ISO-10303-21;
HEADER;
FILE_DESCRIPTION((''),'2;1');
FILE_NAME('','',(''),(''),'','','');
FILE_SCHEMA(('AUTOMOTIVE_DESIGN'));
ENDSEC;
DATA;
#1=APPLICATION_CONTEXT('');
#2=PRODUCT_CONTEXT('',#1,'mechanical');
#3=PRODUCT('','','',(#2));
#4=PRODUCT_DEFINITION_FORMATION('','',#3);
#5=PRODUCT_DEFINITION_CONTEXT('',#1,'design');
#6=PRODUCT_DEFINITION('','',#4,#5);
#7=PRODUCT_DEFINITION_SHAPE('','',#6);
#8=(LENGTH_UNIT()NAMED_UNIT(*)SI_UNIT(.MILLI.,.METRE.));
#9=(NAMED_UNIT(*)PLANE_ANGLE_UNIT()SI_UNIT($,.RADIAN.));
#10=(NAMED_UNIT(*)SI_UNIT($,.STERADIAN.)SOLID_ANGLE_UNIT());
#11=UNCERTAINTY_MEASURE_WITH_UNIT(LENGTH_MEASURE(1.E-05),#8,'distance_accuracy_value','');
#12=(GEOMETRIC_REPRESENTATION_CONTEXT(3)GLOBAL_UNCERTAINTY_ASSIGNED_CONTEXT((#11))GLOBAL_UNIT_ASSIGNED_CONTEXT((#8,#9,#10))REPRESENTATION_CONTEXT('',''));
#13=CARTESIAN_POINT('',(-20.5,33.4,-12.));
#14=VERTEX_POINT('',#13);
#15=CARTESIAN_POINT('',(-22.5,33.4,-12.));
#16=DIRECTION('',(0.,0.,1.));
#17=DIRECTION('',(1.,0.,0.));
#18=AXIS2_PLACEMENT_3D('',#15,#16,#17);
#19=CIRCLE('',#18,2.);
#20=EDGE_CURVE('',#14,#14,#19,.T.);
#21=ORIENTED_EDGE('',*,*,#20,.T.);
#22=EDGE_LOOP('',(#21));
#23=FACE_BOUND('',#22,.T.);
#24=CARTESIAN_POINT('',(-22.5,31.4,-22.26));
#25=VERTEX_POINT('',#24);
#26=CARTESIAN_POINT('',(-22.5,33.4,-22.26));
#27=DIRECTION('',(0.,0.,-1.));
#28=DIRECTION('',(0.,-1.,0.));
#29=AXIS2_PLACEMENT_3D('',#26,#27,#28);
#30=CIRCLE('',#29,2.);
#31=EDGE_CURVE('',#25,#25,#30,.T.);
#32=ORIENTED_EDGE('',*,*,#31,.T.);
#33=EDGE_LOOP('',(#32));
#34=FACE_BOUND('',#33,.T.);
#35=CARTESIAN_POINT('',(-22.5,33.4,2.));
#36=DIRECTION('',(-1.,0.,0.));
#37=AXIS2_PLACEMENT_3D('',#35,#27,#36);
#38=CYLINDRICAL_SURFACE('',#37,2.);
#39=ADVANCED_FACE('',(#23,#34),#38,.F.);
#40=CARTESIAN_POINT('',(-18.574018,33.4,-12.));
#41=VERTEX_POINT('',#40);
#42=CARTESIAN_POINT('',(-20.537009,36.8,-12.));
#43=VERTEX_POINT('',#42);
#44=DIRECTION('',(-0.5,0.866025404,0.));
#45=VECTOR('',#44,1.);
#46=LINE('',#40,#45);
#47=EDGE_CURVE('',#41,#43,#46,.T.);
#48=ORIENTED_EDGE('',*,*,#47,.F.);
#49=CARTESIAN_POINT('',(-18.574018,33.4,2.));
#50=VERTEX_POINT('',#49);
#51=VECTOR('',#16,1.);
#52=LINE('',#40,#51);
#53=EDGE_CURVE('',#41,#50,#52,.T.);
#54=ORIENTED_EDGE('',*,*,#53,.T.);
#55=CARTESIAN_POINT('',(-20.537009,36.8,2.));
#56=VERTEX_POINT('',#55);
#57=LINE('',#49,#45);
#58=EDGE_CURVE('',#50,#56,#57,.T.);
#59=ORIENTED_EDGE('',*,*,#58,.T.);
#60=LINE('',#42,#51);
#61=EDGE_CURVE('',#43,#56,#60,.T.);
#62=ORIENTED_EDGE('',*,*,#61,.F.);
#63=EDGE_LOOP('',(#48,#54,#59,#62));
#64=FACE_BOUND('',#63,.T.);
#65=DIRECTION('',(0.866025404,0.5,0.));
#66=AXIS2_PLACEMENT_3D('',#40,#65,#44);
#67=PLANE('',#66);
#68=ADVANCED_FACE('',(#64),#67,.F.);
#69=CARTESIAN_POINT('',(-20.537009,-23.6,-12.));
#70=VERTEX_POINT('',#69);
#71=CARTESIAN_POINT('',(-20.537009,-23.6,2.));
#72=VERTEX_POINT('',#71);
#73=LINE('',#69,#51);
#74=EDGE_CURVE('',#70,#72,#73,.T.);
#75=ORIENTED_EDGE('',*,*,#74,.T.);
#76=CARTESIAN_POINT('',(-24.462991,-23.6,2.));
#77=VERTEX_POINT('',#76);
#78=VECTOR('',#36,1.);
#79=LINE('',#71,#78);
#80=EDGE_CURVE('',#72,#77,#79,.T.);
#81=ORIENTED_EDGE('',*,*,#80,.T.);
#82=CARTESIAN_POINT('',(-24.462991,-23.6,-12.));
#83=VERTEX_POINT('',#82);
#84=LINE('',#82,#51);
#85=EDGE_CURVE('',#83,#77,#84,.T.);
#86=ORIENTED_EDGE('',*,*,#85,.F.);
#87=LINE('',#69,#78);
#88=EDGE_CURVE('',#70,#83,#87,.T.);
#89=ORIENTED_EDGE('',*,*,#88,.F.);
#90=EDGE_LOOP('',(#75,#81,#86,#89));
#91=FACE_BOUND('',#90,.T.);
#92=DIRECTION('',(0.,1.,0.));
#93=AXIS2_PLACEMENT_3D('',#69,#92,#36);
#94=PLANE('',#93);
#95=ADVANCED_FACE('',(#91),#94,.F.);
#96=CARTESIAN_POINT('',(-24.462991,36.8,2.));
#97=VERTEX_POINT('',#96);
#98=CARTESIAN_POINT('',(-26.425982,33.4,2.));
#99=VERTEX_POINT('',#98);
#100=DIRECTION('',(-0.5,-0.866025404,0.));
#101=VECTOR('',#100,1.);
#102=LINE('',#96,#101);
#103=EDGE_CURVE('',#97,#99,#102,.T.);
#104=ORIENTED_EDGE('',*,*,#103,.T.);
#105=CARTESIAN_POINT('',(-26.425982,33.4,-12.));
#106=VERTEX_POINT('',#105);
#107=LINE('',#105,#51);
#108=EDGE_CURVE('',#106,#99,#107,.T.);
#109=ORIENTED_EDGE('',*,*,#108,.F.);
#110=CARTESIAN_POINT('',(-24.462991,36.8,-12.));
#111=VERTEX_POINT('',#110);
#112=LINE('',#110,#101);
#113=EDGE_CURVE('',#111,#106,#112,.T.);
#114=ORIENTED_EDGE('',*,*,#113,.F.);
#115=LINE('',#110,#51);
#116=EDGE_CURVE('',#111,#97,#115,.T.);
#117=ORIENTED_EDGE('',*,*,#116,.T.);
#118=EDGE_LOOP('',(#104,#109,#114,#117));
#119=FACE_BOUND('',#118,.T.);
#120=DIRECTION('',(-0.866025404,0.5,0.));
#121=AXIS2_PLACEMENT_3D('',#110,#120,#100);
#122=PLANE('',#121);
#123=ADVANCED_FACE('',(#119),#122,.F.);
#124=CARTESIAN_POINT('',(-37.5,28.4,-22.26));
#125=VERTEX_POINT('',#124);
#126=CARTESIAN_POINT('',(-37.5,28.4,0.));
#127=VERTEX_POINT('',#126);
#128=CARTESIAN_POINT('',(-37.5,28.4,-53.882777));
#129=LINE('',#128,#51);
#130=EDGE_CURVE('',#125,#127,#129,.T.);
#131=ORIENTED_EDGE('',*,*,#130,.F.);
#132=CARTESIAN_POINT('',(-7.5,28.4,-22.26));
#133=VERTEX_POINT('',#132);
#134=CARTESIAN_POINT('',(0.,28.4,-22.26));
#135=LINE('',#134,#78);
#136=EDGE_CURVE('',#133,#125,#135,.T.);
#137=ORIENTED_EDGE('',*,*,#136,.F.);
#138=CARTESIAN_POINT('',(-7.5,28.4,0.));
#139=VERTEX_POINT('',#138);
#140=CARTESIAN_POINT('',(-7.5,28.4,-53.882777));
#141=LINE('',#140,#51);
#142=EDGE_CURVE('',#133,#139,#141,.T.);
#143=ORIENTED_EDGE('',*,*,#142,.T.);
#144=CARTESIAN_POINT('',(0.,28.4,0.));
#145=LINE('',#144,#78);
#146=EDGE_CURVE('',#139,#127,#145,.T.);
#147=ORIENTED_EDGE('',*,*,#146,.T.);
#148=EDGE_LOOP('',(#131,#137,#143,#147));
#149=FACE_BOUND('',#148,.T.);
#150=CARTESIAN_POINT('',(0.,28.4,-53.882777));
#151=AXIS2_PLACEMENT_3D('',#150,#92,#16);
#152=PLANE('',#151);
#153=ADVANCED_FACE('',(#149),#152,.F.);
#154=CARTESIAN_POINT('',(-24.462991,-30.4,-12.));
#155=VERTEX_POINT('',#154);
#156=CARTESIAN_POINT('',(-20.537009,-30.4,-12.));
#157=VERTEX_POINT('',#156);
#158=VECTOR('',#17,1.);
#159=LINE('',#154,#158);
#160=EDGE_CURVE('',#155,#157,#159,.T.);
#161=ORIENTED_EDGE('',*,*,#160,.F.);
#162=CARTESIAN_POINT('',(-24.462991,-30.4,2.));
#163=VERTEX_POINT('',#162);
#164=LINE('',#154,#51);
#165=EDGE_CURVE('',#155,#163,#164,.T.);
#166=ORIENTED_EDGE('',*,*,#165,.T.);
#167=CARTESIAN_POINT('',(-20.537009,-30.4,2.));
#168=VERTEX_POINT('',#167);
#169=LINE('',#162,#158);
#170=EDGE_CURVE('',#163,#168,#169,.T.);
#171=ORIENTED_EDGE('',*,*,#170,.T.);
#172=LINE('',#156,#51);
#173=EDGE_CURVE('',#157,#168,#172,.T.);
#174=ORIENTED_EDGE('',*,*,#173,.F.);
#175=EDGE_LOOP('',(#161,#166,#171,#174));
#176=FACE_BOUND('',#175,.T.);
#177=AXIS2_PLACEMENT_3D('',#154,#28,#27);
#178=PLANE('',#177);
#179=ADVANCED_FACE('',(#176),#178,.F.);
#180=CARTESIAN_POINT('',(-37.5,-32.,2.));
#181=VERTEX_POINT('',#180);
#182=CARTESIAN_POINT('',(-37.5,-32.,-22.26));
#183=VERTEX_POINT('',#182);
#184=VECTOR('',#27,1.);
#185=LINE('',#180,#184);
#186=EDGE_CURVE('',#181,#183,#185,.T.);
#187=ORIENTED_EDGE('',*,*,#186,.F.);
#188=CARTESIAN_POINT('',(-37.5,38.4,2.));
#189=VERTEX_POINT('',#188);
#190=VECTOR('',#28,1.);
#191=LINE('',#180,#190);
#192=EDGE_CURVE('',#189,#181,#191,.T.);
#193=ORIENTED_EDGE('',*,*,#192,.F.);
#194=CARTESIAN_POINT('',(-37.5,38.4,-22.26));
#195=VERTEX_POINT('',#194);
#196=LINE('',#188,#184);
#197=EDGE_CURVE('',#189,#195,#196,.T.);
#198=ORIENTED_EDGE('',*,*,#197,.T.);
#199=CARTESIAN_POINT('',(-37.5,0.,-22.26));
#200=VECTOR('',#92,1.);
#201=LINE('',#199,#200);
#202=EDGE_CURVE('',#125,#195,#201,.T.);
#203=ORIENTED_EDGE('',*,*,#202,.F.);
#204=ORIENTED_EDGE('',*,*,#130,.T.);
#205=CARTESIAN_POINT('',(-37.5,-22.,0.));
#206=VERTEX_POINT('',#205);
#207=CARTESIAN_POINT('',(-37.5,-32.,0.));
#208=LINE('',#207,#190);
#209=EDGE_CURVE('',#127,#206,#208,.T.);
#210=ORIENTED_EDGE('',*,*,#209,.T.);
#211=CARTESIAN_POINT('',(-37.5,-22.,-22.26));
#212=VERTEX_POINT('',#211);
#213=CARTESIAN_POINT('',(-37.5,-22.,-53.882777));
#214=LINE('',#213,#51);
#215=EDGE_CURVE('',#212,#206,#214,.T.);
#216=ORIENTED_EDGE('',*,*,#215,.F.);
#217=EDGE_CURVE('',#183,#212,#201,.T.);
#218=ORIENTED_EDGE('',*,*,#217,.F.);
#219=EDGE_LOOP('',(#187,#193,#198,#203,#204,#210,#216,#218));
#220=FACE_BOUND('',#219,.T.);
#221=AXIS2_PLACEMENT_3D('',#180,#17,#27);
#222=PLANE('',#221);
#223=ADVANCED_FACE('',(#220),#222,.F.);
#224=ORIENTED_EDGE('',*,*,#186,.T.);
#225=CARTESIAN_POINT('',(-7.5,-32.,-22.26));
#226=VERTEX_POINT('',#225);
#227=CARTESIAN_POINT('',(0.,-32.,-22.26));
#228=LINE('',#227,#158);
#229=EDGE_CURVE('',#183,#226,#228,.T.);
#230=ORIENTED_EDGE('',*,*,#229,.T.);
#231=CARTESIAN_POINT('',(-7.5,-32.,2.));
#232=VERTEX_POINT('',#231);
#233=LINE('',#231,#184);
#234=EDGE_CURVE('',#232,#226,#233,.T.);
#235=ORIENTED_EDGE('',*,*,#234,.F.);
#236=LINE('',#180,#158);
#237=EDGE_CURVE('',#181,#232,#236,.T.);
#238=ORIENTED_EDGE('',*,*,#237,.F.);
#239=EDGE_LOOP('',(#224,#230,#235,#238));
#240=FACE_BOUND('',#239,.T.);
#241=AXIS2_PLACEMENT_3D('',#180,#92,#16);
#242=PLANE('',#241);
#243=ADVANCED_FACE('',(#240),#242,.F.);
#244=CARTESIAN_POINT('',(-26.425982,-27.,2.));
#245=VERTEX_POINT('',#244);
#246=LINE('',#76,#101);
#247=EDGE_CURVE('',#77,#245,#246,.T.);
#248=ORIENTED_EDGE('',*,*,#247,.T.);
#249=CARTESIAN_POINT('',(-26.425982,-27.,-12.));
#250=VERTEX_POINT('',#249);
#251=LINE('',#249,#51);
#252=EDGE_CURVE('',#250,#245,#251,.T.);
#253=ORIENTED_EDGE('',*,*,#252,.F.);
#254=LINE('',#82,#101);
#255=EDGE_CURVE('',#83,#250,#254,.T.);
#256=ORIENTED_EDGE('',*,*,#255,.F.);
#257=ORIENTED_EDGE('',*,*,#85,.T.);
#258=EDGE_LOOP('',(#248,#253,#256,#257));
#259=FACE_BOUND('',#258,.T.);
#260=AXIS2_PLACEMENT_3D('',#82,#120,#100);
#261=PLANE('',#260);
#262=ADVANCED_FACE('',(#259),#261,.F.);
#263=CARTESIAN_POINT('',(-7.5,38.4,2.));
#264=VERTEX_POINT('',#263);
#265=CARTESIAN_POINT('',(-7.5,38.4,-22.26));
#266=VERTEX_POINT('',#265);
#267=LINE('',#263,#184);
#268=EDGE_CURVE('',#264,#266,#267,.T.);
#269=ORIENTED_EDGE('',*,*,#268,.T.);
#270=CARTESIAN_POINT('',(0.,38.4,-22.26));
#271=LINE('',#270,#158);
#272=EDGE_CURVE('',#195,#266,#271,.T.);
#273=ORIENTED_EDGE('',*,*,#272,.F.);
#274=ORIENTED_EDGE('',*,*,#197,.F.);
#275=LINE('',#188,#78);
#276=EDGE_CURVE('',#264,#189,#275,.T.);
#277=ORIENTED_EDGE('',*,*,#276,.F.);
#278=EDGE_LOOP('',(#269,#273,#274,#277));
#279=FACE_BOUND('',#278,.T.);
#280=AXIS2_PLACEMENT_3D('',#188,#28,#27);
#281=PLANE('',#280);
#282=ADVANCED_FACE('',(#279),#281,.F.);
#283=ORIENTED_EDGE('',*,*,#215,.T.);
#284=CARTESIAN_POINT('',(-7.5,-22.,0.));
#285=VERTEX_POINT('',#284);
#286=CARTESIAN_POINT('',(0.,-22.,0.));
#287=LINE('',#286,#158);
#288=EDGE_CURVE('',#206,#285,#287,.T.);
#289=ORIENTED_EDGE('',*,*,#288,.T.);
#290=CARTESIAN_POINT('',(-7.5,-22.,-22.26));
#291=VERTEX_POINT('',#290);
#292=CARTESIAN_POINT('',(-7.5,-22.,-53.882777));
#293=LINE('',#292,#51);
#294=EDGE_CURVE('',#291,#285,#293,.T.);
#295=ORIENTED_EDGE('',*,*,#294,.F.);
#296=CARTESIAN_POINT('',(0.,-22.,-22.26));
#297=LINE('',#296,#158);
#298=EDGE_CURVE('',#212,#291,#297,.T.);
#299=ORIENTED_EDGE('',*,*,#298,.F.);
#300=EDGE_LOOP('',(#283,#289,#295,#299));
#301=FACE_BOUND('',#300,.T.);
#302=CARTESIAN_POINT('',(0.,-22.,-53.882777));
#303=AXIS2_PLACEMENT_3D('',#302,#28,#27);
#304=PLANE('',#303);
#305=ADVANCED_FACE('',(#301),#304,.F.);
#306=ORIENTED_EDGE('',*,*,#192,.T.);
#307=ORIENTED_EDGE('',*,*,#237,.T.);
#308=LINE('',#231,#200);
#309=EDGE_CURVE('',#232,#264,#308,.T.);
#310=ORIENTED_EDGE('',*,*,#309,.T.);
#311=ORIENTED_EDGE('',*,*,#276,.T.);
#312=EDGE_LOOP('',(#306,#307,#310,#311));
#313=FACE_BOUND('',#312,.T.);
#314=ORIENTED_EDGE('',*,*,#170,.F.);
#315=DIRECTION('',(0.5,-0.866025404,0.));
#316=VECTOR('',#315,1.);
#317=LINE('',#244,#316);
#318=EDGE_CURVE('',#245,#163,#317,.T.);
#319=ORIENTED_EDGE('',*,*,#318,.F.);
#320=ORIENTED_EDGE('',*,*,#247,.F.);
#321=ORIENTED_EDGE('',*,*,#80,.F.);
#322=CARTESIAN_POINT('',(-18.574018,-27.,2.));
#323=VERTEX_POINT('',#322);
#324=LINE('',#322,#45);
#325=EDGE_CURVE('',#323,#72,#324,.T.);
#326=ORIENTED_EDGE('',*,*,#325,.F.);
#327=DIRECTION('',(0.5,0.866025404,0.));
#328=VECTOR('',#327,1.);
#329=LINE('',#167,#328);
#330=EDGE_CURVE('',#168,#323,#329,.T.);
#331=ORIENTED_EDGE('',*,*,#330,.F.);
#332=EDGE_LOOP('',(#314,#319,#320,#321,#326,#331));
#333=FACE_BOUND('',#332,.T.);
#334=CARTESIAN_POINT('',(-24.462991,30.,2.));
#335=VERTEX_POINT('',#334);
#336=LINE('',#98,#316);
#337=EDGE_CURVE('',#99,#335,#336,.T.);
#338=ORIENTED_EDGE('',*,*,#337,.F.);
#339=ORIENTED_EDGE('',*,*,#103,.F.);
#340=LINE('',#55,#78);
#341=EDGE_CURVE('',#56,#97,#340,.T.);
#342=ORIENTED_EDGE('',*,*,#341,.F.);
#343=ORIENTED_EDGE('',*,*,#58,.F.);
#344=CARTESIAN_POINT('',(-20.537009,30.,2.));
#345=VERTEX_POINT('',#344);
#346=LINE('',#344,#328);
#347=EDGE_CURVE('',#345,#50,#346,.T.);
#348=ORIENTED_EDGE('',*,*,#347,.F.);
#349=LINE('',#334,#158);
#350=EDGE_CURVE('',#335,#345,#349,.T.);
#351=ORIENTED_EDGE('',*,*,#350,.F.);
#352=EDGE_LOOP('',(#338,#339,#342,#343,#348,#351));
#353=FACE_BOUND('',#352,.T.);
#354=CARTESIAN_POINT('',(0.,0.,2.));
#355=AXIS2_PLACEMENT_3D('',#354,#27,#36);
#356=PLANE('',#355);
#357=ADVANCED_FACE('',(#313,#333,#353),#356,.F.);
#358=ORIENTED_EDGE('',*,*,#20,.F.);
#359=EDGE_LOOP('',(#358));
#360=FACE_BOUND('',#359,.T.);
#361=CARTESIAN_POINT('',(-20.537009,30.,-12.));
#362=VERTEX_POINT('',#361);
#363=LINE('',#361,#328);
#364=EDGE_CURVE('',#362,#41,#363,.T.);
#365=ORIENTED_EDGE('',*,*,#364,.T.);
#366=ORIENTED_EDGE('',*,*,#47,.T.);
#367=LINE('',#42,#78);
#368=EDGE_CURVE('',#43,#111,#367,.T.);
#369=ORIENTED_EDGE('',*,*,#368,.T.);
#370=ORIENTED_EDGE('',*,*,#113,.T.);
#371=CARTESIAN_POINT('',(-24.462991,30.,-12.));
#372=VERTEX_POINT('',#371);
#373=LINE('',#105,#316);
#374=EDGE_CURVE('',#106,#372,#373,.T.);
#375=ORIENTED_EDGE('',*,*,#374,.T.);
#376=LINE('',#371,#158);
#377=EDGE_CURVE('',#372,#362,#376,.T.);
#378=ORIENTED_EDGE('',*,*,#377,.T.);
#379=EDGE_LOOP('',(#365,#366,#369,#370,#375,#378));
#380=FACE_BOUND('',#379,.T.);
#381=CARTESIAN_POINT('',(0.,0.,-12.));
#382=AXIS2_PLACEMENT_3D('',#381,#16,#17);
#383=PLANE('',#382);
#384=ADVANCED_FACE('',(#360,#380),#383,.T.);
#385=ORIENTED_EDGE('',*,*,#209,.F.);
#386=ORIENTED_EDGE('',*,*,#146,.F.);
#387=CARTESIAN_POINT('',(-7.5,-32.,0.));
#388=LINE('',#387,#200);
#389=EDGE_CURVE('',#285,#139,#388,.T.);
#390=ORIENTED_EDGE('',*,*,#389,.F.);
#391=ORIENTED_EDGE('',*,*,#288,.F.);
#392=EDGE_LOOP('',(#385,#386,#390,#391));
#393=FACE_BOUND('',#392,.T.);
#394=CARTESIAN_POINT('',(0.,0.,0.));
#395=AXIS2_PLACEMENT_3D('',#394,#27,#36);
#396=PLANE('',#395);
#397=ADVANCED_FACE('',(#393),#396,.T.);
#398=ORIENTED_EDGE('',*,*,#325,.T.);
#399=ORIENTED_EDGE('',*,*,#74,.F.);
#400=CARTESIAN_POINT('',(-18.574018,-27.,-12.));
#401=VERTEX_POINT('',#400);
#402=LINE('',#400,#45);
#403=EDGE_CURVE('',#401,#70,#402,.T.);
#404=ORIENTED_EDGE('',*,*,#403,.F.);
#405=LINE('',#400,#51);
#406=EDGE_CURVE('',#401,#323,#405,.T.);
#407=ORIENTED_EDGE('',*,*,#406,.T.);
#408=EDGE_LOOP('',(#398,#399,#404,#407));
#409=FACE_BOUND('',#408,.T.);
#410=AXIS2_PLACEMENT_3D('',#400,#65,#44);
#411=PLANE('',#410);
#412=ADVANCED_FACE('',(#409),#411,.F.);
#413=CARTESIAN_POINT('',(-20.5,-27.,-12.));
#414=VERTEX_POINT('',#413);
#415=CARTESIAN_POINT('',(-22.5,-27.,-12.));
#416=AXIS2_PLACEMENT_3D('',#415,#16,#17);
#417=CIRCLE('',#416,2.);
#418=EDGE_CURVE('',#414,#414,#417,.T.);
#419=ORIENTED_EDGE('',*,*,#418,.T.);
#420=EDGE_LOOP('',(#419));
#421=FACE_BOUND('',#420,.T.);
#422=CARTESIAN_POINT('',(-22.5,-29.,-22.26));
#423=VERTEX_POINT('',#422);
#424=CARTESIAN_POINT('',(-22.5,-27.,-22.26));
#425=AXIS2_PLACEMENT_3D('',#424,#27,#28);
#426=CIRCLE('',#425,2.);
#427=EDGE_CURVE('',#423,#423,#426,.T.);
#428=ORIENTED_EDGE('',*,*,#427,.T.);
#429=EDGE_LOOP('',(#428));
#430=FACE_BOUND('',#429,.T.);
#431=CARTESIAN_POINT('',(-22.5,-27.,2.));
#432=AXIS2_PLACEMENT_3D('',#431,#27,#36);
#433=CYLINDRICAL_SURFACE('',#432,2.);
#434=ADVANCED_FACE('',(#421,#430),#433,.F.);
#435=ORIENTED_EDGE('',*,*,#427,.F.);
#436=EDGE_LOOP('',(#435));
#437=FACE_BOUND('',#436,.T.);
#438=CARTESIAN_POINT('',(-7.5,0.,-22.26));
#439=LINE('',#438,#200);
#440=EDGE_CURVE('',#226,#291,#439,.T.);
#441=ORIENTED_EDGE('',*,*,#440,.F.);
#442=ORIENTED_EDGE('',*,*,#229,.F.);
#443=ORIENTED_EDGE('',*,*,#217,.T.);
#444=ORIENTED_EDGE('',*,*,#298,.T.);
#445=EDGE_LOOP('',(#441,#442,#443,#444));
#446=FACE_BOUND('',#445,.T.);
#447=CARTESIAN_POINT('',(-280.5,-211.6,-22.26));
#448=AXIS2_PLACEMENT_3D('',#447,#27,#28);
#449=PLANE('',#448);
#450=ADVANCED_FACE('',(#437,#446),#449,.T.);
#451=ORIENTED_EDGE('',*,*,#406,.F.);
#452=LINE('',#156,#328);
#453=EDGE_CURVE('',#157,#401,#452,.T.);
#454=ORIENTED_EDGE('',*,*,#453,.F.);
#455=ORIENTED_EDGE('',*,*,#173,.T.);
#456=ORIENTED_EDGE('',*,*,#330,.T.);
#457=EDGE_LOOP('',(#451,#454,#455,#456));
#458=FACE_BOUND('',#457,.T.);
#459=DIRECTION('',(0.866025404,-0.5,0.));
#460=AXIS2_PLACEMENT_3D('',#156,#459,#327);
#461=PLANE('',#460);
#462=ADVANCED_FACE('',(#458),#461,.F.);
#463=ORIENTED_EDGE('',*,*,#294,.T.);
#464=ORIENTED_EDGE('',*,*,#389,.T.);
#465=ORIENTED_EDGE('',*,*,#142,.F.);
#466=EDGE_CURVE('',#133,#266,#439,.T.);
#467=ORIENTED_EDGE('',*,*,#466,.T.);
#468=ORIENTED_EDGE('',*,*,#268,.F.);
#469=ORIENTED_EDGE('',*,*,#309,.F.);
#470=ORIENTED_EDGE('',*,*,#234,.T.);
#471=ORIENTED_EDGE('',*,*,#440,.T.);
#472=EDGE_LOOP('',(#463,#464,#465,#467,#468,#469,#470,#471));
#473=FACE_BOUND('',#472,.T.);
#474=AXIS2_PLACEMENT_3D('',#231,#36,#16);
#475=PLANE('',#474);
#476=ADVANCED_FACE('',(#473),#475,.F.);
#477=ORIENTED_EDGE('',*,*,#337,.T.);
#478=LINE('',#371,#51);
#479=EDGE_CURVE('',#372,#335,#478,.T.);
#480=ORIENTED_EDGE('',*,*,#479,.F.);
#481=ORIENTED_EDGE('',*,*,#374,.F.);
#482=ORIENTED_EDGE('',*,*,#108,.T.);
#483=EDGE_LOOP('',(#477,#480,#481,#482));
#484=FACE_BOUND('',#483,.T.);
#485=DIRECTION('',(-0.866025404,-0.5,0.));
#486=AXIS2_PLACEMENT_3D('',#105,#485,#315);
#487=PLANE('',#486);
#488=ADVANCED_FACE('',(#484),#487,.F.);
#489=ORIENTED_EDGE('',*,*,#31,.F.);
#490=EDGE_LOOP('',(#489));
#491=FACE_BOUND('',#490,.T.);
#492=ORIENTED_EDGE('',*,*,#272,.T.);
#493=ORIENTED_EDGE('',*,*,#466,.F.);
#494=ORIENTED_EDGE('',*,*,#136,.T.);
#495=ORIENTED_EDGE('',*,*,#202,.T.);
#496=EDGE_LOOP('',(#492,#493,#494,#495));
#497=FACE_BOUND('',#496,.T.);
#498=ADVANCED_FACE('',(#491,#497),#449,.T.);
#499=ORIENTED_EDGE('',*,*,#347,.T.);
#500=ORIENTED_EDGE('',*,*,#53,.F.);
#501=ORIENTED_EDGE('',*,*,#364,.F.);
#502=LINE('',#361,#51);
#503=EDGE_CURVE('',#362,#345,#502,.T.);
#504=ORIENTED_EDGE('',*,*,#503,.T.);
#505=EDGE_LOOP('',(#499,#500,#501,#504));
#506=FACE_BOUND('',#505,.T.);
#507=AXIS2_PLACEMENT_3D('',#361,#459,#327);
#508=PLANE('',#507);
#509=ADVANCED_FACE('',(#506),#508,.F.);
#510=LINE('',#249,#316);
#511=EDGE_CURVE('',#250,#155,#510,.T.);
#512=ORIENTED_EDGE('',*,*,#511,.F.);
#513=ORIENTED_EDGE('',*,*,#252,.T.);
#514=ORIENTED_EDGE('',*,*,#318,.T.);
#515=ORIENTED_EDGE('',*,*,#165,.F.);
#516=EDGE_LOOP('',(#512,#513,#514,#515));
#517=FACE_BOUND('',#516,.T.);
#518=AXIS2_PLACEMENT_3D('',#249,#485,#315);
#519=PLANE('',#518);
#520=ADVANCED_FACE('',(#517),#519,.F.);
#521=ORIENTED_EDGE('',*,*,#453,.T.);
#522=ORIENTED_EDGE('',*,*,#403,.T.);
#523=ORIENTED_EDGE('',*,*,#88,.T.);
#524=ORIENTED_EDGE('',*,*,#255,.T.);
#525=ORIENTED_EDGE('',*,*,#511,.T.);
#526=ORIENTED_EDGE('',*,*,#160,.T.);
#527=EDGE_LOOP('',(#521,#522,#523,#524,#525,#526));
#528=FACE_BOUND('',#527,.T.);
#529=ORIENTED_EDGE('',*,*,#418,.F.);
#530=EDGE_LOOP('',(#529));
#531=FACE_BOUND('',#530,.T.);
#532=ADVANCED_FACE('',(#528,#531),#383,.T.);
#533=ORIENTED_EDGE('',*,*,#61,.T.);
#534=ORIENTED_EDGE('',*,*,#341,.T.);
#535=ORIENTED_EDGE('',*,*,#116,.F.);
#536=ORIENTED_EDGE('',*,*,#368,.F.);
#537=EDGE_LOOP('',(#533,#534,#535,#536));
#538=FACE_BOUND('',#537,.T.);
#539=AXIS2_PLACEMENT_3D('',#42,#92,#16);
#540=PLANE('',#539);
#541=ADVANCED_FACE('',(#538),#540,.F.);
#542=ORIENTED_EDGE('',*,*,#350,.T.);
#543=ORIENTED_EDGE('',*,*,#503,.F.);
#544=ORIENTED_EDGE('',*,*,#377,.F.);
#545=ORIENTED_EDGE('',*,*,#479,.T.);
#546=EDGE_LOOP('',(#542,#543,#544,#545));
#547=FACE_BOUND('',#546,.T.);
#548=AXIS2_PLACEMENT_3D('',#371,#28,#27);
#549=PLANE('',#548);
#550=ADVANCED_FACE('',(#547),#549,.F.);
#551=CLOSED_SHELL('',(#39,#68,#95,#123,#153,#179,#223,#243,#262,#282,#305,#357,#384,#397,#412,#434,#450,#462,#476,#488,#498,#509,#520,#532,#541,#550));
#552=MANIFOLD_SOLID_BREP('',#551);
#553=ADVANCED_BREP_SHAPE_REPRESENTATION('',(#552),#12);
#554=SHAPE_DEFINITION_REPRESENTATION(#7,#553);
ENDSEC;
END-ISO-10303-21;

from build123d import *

# Parameters (mm, degrees)
SKETCH2_W           = 30
SKETCH2_H           = 70.4
SKETCH2_R           = 2
BOSS_EXTRUDE1_DEPTH = 2
BOSS_EXTRUDE2_START = -22.26
SKETCH2_2_W         = 30
SKETCH2_2_H         = 10
SKETCH2_2_R         = 2
BOSS_EXTRUDE2_DEPTH = 22.26
CUT_EXTRUDE1_DEPTH  = 14


with BuildPart() as part:
    # Sketch2 → Boss-Extrude1 (new body)
    with BuildSketch(Plane.XY):
        with Locations((-22.5, 3.2)):
            Rectangle(SKETCH2_W, SKETCH2_H)
        with Locations((-22.5, -27)):
            Circle(SKETCH2_R, mode=Mode.SUBTRACT)
        with Locations((-22.5, 33.4)):
            Circle(SKETCH2_R, mode=Mode.SUBTRACT)
    extrude(amount=BOSS_EXTRUDE1_DEPTH)

    # Sketch2<2> → Boss-Extrude2 (add)
    # profile 1 of 2: a face of its own
    with BuildSketch(Plane.XY.offset(BOSS_EXTRUDE2_START)):
        with Locations((-22.5, -27)):
            Rectangle(SKETCH2_2_W, SKETCH2_2_H)
        with Locations(Location((-22.5, -27, 0), (0, 0, 270))):
            Circle(SKETCH2_2_R, mode=Mode.SUBTRACT)
    # profile 2 of 2: a face of its own
    with BuildSketch(Plane.XY.offset(BOSS_EXTRUDE2_START)):
        with Locations((-22.5, 33.4)):
            Rectangle(SKETCH2_2_W, SKETCH2_2_H)
        with Locations(Location((-22.5, 33.4, 0), (0, 0, 270))):
            Circle(SKETCH2_2_R, mode=Mode.SUBTRACT)
    extrude(amount=BOSS_EXTRUDE2_DEPTH)

    # Sketch3 → Cut-Extrude1 (cut)
    with BuildSketch(Plane.XY.offset(2)):
        Polygon((-24.462990915, 30), (-20.537009085, 30), (-18.57401817, 33.4), (-20.537009085, 36.8), (-24.462990915, 36.8), (-26.42598183, 33.4), align=None)
        Polygon((-20.537009085, -30.4), (-18.57401817, -27), (-20.537009085, -23.6), (-24.462990915, -23.6), (-26.42598183, -27), (-24.462990915, -30.4), align=None)
    extrude(amount=-CUT_EXTRUDE1_DEPTH, mode=Mode.SUBTRACT)


solid = part.part
